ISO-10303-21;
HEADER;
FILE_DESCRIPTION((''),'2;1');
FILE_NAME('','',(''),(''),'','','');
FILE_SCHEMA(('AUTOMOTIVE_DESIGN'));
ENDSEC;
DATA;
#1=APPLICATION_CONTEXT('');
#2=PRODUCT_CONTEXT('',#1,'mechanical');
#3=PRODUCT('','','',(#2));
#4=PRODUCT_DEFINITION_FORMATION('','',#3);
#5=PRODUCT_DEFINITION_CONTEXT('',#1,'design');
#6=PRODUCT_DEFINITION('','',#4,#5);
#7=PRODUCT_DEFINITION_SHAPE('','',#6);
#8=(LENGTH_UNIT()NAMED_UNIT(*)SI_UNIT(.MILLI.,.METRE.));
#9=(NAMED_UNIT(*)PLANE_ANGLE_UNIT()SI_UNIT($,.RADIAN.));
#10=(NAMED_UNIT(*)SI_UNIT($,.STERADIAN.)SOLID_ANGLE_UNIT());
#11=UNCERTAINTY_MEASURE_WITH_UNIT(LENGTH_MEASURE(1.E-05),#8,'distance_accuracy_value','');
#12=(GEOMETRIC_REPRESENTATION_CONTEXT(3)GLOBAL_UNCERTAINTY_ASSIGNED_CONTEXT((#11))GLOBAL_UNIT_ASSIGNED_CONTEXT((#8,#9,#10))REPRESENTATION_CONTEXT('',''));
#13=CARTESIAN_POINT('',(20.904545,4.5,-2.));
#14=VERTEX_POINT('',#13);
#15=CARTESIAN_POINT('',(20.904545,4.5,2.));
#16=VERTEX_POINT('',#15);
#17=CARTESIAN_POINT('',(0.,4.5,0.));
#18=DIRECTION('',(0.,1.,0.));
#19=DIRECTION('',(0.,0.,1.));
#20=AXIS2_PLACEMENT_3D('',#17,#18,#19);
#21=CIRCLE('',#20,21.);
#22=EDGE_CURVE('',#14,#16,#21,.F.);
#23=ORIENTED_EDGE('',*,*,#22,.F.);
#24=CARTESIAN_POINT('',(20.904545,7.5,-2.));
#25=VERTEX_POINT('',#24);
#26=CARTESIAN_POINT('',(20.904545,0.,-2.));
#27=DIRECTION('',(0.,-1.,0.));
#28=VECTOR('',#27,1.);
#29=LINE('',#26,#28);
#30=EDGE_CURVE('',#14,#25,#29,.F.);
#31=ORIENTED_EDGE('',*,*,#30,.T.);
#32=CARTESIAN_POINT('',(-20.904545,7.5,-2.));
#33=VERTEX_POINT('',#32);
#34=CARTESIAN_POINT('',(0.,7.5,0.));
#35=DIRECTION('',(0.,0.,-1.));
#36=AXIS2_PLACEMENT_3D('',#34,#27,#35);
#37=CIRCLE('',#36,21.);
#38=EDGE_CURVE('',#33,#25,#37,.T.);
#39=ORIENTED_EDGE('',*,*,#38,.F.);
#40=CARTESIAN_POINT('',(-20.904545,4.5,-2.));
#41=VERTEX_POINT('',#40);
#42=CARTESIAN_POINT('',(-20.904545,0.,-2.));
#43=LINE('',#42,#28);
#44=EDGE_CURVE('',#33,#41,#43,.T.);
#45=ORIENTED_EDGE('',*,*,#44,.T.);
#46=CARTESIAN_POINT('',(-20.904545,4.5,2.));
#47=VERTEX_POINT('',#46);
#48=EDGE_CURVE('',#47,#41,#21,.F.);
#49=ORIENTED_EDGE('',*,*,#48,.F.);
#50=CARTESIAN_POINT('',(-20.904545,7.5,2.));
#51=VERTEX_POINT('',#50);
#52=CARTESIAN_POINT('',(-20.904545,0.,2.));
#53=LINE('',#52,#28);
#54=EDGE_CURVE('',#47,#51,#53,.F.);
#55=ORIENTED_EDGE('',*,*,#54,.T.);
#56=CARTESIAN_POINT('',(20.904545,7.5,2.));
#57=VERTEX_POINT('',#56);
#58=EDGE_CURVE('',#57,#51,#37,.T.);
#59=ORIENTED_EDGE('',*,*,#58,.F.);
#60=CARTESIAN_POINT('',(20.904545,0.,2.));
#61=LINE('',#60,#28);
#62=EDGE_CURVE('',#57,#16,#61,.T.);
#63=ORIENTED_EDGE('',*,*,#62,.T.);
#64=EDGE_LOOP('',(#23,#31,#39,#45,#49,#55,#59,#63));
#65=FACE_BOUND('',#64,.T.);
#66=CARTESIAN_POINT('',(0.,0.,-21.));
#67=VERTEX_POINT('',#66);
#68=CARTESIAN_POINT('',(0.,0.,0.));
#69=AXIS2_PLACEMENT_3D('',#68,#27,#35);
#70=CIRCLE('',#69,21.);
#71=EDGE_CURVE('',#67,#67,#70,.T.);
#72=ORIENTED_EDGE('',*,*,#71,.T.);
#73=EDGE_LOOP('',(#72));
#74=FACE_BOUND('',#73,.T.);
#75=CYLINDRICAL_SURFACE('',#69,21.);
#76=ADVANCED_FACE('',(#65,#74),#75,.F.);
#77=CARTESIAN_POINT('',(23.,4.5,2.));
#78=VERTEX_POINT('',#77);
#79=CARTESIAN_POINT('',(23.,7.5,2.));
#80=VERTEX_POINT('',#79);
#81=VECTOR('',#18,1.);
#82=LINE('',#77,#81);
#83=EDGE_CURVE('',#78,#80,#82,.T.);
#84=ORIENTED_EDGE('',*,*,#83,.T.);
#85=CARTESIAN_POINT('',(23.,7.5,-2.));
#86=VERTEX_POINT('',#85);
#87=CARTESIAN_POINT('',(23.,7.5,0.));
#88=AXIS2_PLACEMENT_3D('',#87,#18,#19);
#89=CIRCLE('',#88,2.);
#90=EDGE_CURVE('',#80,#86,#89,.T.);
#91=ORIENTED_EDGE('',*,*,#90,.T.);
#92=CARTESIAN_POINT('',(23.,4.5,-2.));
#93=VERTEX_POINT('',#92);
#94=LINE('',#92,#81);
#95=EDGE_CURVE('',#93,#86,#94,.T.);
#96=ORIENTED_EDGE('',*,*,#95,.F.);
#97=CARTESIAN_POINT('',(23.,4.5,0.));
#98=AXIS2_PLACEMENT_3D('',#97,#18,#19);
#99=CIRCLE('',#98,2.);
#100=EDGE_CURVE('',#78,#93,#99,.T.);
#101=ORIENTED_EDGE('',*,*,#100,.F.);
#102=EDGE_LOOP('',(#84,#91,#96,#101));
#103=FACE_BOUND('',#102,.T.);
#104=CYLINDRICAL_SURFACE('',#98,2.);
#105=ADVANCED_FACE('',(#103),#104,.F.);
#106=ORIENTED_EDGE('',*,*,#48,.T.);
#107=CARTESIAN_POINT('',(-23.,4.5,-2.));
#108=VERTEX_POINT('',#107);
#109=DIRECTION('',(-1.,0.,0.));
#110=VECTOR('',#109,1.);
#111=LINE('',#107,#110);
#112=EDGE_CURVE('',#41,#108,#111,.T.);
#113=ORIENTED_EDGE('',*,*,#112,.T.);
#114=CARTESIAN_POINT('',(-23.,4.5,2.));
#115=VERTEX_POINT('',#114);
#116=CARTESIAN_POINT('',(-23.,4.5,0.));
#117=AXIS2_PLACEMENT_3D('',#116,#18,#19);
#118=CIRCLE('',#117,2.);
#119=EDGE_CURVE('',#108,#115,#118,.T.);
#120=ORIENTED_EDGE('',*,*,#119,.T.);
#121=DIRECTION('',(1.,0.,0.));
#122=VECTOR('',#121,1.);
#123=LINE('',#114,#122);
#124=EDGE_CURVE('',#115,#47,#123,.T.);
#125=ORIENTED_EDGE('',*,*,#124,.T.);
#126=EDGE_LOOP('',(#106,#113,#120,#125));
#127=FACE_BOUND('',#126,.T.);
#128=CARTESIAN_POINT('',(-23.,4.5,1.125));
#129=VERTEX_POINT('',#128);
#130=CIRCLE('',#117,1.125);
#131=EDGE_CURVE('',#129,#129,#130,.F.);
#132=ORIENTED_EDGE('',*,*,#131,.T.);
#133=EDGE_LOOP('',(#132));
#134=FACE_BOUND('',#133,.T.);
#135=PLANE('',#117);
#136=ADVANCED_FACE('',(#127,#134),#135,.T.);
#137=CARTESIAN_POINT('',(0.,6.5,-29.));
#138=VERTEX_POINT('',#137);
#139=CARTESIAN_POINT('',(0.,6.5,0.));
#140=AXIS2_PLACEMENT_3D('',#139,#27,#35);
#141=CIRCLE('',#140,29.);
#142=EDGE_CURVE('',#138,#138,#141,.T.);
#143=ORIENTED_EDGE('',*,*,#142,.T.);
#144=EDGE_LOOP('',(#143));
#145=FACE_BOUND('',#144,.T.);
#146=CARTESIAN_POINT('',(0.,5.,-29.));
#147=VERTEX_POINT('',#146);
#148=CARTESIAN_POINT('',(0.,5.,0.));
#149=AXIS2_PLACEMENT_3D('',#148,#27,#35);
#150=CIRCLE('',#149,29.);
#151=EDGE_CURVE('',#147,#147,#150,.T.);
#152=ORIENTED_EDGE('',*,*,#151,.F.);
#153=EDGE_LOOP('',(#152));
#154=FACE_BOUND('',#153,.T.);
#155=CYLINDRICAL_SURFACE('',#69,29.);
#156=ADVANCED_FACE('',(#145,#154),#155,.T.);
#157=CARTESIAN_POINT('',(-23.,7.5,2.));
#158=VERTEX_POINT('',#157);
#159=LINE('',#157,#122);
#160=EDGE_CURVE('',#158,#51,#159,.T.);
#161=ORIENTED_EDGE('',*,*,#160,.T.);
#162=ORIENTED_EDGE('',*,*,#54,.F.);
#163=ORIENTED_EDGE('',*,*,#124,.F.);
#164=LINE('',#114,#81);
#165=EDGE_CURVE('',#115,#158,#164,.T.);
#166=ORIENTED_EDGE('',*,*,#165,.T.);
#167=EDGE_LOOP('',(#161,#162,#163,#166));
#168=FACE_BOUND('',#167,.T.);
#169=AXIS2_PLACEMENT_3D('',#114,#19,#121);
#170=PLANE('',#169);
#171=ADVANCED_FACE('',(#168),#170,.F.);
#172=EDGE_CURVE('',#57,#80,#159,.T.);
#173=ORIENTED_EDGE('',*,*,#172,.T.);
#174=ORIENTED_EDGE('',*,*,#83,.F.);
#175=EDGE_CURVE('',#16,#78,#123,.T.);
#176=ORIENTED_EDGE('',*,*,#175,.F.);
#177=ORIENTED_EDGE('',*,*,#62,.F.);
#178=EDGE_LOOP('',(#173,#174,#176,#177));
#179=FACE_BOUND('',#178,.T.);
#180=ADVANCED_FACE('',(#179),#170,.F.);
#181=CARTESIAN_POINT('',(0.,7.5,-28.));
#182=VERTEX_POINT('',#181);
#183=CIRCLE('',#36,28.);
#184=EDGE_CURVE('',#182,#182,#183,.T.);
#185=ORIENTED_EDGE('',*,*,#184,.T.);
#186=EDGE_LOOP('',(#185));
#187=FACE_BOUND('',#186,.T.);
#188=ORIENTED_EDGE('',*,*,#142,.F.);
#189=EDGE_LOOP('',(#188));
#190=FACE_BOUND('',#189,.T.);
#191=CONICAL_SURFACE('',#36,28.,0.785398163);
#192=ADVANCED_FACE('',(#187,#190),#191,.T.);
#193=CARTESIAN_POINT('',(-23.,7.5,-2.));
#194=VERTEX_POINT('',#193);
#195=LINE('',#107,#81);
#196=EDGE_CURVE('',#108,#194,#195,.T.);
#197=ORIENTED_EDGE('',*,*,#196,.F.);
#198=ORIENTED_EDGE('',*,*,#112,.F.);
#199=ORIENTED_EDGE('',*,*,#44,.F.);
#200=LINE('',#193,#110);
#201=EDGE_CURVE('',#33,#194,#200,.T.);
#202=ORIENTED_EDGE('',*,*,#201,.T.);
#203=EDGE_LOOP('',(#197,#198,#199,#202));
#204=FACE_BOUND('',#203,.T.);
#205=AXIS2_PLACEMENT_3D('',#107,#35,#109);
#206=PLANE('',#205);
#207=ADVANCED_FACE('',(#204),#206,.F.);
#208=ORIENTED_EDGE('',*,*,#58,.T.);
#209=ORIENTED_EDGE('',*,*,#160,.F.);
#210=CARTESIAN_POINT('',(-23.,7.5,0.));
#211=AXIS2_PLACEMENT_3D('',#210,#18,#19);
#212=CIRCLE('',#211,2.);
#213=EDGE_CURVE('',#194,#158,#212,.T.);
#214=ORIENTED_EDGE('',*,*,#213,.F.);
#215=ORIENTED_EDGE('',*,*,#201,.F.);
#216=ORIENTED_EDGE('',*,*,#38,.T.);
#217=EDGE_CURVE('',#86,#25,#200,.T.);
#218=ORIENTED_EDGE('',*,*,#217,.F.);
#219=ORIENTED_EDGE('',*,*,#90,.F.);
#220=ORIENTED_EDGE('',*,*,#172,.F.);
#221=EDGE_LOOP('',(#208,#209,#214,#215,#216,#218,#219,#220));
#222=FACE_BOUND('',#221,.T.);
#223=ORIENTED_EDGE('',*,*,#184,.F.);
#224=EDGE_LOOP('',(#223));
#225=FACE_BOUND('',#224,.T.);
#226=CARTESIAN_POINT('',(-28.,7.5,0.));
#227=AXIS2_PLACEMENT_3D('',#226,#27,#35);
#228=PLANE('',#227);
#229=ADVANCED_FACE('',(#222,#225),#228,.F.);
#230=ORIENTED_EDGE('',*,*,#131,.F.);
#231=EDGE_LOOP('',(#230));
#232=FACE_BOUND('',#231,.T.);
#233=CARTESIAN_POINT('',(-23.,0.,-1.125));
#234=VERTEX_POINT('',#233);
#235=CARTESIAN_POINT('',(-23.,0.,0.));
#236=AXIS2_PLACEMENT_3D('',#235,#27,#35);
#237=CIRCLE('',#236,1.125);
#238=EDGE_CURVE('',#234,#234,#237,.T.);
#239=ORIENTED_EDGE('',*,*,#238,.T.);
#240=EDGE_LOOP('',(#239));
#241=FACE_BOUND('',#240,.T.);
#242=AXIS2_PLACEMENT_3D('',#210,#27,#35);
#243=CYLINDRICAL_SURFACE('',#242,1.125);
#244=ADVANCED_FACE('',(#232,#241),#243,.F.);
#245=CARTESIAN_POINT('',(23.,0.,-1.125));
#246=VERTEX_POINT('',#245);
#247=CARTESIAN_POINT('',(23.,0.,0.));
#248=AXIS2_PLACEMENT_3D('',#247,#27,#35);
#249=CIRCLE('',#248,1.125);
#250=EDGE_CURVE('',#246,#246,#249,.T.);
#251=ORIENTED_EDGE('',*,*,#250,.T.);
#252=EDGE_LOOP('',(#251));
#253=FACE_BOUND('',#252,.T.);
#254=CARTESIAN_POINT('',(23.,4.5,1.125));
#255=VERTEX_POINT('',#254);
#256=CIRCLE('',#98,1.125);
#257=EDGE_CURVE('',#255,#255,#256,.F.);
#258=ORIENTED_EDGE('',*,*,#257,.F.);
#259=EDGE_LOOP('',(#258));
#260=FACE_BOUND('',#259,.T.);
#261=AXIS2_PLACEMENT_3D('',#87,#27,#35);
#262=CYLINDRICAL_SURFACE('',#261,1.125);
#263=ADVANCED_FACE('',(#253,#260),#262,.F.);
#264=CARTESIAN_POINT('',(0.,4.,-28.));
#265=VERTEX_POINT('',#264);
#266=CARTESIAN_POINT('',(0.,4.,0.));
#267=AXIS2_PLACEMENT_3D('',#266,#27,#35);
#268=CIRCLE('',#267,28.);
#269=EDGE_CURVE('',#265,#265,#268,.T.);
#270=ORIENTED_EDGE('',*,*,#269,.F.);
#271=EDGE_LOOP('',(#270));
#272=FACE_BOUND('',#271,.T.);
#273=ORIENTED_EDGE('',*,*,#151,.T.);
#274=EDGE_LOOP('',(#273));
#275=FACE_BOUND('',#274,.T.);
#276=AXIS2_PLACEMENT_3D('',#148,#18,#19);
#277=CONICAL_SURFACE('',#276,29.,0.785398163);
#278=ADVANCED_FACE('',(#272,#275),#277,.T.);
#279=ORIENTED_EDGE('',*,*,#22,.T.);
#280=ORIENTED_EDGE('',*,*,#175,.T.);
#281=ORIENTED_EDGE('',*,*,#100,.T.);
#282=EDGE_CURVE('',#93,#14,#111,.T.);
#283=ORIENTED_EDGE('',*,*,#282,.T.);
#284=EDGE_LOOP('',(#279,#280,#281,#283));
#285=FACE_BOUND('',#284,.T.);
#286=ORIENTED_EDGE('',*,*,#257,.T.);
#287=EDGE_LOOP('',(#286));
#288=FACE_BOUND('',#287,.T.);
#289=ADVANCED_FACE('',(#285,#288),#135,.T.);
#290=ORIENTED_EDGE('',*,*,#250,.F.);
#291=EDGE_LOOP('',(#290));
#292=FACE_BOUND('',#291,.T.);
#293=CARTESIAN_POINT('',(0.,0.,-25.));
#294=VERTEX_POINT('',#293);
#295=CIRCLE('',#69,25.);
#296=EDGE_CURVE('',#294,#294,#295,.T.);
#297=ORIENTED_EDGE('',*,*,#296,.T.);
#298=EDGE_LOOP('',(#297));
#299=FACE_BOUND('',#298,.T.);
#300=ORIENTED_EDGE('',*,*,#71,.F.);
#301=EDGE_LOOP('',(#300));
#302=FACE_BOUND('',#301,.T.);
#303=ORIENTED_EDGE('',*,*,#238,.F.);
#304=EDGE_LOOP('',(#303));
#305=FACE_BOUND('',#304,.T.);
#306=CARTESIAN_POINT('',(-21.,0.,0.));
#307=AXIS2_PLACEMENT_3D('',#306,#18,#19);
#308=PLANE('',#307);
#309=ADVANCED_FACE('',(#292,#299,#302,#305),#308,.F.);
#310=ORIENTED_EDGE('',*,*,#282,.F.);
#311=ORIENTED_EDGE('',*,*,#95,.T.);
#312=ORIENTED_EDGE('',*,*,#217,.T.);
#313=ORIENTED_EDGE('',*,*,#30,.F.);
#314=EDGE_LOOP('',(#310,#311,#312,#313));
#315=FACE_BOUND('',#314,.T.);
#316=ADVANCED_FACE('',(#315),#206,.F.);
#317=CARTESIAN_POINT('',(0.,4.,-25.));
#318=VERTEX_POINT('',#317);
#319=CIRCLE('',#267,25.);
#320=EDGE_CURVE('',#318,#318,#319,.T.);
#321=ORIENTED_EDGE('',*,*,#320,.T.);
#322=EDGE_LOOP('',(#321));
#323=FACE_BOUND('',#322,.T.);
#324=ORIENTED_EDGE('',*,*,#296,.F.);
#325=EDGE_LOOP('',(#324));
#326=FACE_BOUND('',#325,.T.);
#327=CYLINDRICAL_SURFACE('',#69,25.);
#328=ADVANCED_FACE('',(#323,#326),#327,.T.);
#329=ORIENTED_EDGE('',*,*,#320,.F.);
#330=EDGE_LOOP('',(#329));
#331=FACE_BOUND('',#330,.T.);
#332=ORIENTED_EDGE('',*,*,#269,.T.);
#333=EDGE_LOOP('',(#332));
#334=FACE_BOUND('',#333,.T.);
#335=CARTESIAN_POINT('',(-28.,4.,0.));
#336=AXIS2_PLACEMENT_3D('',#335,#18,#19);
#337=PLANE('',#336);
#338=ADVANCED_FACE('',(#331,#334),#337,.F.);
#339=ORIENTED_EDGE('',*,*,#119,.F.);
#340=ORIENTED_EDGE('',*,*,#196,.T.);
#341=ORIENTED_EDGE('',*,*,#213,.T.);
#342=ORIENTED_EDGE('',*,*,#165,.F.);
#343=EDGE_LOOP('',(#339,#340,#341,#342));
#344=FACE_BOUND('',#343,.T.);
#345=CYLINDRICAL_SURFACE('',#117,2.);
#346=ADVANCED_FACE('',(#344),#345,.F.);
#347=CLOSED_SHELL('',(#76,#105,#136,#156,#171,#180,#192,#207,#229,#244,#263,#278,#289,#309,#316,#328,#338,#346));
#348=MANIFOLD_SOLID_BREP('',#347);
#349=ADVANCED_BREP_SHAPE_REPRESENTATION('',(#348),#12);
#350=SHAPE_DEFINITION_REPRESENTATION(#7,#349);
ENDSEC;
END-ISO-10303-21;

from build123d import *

# Parameters (mm, degrees)
SKETCH2_R          = 1.125
CUT_EXTRUDE1_DEPTH = 8.5
CUT_EXTRUDE3_DEPTH = 3


with BuildPart() as part:
    # Sketch1 → Revolve1 (revolve)
    with BuildSketch(Plane.XY):
        Polygon((-29, 5), (-29, 6.5), (-28, 7.5), (-21, 7.5), (-21, 0), (-25, 0), (-25, 4), (-28, 4), align=None)
    revolve(axis=Axis((0, 0, 0), (0, 1, 0)))

    # Sketch2 → Cut-Extrude1 (cut, through all)
    with BuildSketch(Plane.XZ):
        with Locations((-23, 0)):
            Circle(SKETCH2_R)
        with Locations((23, 0)):
            Circle(SKETCH2_R)
    extrude(amount=-CUT_EXTRUDE1_DEPTH, mode=Mode.SUBTRACT)

    # Sketch3 → Cut-Extrude3 (cut)
    with BuildSketch(Plane(origin=(0, 7.5, 0), x_dir=(1, 0, 0), z_dir=(0, 1, 0))):
        with BuildLine():
            Line((-23, 2), (23, 2))
            ThreePointArc((23, 2), (25, 0), (23, -2))
            Line((23, -2), (-23, -2))
            ThreePointArc((-23, -2), (-25, 0), (-23, 2))
        make_face()
    extrude(amount=-CUT_EXTRUDE3_DEPTH, mode=Mode.SUBTRACT)


solid = part.part
